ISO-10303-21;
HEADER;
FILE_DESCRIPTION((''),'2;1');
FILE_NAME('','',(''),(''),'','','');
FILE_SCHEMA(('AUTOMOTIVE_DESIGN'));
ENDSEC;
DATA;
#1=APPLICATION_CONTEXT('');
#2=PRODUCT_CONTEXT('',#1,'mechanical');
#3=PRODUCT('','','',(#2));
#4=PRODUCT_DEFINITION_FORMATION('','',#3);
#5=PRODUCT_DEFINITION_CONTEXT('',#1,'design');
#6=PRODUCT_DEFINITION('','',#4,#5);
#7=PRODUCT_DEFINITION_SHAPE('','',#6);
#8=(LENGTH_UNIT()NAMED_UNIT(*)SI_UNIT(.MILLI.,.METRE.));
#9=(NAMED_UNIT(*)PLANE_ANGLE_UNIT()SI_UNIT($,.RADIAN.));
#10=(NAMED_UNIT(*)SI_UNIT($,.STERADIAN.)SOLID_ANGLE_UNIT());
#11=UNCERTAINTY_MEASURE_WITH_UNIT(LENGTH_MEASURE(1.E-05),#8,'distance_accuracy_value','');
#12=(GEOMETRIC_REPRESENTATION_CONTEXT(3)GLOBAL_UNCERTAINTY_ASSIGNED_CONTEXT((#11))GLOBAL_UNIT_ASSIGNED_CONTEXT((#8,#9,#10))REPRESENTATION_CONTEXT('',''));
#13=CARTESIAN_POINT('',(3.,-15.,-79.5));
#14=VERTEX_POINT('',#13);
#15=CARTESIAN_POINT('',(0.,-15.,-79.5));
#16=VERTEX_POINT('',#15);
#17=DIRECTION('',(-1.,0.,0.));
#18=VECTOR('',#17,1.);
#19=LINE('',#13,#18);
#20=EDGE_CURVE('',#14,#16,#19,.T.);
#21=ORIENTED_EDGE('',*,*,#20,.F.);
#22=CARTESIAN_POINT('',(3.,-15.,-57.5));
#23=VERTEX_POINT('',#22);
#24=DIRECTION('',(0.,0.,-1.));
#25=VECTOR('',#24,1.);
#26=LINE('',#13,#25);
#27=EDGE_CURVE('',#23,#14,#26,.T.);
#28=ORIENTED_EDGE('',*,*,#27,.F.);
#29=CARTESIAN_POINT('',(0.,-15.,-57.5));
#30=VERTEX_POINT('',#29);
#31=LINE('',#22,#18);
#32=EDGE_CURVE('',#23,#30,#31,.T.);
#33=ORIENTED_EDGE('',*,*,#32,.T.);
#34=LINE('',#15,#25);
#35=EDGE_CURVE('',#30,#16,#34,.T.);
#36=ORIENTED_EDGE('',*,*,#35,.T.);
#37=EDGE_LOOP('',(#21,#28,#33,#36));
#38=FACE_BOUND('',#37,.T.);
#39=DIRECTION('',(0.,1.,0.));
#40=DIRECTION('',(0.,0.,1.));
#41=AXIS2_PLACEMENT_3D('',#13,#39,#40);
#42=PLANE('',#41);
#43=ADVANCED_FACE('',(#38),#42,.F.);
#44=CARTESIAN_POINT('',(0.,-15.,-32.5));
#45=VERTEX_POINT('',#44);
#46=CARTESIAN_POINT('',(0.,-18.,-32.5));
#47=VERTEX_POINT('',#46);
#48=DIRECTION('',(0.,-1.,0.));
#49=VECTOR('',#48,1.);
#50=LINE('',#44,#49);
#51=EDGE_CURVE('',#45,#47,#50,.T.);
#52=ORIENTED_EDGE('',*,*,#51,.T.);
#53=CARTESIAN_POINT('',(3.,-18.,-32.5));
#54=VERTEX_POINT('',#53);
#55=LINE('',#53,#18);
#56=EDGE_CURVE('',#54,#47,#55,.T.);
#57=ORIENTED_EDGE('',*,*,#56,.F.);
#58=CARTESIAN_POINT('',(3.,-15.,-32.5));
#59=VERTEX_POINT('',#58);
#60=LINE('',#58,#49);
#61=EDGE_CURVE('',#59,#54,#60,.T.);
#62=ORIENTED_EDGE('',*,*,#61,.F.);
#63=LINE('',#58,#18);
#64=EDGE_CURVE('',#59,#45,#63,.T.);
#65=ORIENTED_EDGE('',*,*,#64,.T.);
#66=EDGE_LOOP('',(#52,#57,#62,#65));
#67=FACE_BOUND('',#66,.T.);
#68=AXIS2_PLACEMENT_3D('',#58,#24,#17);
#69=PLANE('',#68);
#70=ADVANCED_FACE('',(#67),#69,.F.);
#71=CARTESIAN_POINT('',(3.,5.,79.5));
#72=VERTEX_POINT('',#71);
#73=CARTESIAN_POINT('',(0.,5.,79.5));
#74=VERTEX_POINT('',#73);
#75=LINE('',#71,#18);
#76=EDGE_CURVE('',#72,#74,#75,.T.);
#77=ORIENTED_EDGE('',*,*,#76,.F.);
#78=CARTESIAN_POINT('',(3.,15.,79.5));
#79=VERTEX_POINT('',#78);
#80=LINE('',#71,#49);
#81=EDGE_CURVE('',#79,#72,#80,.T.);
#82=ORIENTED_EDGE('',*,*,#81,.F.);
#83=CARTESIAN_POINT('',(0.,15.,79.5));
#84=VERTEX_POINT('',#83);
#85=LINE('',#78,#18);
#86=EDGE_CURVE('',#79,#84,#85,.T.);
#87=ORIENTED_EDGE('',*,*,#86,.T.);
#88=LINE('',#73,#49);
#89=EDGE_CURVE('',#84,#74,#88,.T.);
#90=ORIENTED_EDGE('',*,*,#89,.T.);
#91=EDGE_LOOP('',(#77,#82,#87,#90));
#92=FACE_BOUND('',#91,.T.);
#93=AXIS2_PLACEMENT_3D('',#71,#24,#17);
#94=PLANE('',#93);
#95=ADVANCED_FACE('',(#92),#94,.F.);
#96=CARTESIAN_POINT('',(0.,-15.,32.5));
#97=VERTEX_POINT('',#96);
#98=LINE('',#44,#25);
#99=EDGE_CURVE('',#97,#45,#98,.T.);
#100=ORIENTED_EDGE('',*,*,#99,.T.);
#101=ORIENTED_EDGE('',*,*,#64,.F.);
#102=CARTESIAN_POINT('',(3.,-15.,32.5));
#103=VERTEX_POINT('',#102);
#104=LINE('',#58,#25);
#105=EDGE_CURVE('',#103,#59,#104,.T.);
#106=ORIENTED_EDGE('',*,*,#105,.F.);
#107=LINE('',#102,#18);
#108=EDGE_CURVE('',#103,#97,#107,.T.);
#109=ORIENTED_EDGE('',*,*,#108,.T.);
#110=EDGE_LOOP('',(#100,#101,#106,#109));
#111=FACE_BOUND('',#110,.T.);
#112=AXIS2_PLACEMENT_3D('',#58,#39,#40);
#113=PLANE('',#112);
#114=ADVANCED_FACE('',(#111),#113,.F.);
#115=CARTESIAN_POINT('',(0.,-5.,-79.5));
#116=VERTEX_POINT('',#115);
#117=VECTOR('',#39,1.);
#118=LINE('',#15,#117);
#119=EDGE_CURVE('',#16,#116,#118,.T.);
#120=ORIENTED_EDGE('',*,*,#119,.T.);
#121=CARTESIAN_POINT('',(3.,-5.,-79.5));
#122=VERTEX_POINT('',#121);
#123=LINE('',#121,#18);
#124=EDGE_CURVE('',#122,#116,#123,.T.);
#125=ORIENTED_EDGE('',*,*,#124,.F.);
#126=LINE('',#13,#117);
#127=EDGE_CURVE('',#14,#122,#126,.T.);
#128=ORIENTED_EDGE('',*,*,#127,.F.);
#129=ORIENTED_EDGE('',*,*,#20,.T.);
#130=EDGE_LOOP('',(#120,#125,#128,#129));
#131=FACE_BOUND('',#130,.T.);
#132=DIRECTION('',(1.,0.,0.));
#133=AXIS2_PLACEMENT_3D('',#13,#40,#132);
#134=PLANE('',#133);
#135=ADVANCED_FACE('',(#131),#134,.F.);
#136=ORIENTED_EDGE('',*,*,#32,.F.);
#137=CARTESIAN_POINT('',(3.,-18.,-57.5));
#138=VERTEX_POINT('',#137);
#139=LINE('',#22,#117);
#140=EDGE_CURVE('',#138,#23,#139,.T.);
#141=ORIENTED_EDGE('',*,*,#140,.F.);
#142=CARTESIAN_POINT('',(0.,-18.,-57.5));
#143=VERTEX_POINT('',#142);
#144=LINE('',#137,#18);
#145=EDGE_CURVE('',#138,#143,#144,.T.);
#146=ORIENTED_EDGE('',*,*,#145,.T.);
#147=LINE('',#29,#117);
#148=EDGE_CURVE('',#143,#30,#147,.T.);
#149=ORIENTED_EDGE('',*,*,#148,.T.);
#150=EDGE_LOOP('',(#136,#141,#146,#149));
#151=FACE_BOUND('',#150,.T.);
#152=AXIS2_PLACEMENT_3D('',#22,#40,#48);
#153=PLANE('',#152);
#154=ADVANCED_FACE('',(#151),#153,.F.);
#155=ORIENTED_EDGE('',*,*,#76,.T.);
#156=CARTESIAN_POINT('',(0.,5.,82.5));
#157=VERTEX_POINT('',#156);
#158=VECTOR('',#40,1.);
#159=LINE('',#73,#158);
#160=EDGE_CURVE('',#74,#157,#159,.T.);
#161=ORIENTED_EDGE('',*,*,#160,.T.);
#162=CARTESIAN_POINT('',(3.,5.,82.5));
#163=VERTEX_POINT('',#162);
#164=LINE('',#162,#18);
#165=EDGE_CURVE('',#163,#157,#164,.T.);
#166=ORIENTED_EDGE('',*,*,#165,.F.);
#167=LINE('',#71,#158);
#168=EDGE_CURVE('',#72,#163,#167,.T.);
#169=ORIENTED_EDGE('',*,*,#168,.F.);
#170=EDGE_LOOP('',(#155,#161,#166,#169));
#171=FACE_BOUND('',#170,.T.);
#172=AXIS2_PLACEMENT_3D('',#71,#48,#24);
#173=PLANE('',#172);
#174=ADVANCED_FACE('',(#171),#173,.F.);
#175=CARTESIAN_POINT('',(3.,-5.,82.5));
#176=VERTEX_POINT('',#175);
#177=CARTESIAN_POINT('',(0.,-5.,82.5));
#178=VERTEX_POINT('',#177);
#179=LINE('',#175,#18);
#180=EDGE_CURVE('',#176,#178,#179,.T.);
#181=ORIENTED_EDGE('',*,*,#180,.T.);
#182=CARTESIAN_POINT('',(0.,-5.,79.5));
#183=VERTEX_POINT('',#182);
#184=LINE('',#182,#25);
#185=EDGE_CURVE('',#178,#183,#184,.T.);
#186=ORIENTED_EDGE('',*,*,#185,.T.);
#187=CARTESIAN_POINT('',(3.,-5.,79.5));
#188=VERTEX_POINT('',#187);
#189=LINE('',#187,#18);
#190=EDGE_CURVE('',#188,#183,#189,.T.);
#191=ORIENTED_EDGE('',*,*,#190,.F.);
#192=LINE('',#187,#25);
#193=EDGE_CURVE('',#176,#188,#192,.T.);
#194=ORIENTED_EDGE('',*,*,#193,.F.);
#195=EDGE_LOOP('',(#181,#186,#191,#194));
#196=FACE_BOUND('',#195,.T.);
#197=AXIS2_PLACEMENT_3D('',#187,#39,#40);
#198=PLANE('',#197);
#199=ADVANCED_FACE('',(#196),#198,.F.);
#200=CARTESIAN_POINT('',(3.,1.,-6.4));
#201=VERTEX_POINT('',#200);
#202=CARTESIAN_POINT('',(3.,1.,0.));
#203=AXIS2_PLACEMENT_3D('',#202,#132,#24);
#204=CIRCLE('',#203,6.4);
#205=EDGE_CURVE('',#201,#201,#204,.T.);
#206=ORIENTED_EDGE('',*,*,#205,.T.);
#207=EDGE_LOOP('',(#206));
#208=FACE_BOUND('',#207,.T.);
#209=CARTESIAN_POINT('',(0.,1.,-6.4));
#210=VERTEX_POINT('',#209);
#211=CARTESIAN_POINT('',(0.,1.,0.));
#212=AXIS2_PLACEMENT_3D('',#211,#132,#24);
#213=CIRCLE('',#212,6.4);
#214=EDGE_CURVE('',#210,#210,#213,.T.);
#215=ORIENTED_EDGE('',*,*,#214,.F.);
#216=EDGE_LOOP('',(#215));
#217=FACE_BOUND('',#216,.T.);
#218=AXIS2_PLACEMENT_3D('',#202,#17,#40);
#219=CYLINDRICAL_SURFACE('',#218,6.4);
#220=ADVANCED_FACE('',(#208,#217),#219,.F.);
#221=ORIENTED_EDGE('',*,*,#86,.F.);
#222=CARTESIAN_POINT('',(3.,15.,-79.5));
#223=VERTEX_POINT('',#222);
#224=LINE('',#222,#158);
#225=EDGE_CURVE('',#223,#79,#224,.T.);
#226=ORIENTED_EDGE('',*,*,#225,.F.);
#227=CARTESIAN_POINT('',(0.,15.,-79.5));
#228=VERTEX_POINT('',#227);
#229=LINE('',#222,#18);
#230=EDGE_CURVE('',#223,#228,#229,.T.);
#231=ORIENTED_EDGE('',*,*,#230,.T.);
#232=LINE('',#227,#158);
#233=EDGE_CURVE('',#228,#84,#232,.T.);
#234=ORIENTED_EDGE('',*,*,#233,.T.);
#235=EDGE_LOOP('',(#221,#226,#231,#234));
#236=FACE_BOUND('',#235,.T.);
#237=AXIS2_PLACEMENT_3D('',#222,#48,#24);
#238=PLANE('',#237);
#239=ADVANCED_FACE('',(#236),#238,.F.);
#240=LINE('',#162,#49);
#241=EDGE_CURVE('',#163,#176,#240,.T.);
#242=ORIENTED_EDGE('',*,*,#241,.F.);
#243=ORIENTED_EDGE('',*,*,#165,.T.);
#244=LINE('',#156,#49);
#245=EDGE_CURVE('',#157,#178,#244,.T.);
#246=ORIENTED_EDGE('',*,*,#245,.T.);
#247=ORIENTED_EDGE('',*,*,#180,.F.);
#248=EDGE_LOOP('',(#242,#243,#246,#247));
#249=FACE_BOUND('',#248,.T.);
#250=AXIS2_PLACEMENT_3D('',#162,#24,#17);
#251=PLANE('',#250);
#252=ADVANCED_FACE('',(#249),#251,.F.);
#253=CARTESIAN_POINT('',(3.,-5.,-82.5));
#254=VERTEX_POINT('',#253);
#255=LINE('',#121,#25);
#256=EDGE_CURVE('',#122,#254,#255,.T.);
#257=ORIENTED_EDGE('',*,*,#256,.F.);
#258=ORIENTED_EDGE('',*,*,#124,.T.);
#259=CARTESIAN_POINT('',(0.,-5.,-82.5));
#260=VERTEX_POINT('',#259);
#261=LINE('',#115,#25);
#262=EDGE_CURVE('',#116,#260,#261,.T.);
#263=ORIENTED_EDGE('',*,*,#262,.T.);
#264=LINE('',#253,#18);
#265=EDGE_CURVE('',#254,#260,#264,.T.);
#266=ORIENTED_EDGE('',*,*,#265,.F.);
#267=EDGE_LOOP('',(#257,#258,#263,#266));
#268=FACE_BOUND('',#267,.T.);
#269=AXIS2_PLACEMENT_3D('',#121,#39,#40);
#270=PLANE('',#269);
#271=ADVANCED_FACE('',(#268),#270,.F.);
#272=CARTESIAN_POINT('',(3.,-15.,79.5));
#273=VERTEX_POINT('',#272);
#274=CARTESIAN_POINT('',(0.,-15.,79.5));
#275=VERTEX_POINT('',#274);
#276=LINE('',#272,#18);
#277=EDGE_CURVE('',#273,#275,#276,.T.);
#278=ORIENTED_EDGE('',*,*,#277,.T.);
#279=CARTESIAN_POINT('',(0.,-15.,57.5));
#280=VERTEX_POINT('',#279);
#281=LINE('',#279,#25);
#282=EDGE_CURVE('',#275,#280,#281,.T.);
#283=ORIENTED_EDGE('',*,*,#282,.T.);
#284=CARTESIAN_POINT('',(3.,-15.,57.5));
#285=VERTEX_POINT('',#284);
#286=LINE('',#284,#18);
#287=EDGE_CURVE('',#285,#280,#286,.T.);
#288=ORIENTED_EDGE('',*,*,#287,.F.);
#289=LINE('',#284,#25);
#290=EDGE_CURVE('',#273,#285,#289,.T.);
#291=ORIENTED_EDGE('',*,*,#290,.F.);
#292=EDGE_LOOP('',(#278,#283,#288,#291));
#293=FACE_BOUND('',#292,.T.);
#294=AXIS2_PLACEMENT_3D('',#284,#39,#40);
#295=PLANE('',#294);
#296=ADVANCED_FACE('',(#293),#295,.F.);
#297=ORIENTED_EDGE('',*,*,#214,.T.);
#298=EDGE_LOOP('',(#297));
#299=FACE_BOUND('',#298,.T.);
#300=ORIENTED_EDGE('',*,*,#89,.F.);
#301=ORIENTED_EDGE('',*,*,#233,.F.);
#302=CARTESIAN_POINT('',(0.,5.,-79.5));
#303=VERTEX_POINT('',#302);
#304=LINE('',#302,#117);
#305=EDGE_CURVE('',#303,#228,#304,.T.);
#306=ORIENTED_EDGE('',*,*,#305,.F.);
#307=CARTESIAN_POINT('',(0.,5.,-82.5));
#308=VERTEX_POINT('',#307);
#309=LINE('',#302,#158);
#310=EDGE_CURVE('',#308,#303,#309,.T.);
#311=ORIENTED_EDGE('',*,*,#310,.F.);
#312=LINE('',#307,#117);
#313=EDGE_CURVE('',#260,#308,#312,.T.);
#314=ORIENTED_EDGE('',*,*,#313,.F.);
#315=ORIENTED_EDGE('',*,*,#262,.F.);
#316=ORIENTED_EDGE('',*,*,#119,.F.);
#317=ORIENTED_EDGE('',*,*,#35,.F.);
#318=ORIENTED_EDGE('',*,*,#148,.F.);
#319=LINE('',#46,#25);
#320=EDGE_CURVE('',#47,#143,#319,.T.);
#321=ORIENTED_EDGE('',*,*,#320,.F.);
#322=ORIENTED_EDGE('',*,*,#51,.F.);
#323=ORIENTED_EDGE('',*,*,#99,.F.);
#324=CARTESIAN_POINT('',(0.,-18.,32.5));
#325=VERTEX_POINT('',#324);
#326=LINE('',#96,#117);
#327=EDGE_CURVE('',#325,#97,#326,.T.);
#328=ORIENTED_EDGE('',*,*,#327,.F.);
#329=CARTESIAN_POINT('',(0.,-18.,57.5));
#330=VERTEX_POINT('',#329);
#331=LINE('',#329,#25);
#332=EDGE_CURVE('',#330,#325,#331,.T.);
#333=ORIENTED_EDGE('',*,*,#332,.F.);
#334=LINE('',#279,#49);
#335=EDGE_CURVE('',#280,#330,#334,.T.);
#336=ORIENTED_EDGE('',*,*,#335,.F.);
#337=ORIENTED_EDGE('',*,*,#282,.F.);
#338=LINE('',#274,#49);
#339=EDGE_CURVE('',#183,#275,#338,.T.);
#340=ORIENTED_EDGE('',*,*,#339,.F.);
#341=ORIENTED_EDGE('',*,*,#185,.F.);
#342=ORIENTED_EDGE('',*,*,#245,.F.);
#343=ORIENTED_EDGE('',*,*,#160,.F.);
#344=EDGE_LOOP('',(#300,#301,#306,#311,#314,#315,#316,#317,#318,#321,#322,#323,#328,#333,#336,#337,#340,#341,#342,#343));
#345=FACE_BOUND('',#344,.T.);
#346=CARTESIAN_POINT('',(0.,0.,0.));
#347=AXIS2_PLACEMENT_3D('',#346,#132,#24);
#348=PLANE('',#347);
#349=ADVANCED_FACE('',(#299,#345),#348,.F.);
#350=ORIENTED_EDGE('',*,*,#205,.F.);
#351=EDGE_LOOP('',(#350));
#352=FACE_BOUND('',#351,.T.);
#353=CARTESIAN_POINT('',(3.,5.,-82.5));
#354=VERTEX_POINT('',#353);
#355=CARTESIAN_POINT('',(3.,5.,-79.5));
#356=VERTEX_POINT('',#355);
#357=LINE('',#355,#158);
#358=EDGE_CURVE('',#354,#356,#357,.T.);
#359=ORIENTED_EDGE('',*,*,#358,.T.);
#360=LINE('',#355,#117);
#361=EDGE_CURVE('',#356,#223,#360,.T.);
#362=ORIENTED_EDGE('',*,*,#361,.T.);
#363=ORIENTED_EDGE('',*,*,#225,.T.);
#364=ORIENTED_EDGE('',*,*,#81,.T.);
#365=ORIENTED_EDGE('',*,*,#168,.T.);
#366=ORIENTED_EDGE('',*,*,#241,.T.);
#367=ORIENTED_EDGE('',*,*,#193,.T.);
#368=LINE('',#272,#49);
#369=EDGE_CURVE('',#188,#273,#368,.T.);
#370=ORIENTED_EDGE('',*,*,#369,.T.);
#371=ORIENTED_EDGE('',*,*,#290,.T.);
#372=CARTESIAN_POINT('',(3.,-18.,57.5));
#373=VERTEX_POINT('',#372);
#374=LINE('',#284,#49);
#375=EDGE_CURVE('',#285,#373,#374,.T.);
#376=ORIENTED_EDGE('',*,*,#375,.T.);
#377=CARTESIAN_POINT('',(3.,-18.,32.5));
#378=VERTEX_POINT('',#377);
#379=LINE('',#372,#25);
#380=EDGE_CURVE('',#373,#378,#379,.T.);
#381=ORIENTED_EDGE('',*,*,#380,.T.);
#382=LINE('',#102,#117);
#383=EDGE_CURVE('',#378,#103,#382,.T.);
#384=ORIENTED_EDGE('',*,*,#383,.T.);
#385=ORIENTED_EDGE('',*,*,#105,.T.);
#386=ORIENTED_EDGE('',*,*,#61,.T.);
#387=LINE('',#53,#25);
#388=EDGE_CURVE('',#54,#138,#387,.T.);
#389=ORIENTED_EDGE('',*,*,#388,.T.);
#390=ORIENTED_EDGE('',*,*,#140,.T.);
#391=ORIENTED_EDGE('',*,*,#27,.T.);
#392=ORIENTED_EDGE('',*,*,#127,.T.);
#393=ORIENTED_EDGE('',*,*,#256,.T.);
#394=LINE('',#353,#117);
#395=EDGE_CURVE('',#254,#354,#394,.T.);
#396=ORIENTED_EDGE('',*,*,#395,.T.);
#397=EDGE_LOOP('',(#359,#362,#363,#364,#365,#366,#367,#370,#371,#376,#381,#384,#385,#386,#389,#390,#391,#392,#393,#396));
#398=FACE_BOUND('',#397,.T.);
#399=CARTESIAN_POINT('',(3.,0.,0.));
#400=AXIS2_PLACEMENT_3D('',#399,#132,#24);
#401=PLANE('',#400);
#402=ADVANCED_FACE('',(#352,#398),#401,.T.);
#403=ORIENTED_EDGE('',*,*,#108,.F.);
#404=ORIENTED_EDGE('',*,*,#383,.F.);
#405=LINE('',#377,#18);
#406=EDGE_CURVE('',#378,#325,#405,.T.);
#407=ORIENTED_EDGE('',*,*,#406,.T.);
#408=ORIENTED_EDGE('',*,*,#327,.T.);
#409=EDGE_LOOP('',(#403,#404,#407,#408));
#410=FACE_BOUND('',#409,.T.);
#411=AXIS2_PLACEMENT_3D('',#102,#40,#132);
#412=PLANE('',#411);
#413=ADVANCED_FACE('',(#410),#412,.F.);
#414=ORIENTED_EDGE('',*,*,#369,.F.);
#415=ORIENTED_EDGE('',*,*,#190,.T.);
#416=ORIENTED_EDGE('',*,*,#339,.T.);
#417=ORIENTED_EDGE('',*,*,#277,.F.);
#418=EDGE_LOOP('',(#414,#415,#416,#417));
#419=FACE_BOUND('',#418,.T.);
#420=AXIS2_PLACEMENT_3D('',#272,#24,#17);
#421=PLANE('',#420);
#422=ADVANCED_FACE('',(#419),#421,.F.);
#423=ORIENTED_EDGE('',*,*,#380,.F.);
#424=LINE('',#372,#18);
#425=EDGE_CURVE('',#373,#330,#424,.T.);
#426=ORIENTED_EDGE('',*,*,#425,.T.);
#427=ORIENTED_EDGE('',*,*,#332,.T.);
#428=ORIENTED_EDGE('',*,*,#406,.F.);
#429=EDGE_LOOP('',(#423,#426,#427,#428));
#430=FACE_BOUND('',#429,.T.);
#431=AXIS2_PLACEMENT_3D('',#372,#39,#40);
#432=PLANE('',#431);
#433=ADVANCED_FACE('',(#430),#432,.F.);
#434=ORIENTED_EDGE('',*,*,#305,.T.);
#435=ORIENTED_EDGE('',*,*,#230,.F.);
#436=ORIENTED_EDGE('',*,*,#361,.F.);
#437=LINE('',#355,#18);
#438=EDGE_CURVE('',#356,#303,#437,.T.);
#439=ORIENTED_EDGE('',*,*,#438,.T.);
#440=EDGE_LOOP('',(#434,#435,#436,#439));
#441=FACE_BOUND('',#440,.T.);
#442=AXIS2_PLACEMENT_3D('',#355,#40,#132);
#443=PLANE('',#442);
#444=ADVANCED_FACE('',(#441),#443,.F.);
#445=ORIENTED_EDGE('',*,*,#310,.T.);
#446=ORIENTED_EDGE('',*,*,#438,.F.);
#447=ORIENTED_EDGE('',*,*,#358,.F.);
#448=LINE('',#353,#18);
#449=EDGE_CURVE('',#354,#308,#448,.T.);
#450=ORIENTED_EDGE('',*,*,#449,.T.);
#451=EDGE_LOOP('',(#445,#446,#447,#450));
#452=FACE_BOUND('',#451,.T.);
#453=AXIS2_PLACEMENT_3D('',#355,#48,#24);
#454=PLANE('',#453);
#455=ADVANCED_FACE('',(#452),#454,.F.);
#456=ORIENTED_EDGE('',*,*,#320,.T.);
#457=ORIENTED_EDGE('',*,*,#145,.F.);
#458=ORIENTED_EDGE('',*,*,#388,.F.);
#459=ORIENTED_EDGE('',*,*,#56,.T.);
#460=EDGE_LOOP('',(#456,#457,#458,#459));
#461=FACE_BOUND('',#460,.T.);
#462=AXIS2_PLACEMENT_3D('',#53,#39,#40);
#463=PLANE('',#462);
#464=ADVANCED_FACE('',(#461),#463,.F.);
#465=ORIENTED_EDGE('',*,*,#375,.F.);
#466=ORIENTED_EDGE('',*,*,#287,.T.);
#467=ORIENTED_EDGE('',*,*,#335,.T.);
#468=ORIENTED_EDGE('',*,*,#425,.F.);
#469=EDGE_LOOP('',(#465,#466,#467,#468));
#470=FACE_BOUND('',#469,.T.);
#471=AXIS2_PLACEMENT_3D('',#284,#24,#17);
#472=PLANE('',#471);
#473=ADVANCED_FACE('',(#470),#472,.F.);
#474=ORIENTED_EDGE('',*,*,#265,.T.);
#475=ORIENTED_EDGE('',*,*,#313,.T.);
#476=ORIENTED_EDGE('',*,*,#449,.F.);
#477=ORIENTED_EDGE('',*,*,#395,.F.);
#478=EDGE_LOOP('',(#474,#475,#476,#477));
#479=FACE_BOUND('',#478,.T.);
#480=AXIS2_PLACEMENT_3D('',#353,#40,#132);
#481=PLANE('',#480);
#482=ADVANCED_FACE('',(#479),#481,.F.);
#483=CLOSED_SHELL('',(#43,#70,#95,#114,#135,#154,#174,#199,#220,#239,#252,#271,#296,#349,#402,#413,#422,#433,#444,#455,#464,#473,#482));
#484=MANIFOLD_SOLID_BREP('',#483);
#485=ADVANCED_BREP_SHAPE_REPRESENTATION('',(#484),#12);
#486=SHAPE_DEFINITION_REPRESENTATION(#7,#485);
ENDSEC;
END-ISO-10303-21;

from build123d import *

# Parameters (mm, degrees)
SKETCH2_R           = 6.4
BOSS_EXTRUDE3_DEPTH = 3


with BuildPart() as part:
    # Sketch2 → Boss-Extrude3 (new body)
    with BuildSketch(Plane(origin=(0, 0, 0), x_dir=(0, 0, -1), z_dir=(1, 0, 0))):
        Polygon((-57.5, -15), (-79.5, -15), (-79.5, -5), (-82.5, -5), (-82.5, 5), (-79.5, 5), (-79.5, 15), (79.5, 15), (79.5, 5), (82.5, 5), (82.5, -5), (79.5, -5), (79.5, -15), (57.5, -15), (57.5, -18), (32.5, -18), (32.5, -15), (-32.5, -15), (-32.5, -18), (-57.5, -18), align=None)
        with Locations((0, 1)):
            Circle(SKETCH2_R, mode=Mode.SUBTRACT)
    extrude(amount=BOSS_EXTRUDE3_DEPTH)


solid = part.part
